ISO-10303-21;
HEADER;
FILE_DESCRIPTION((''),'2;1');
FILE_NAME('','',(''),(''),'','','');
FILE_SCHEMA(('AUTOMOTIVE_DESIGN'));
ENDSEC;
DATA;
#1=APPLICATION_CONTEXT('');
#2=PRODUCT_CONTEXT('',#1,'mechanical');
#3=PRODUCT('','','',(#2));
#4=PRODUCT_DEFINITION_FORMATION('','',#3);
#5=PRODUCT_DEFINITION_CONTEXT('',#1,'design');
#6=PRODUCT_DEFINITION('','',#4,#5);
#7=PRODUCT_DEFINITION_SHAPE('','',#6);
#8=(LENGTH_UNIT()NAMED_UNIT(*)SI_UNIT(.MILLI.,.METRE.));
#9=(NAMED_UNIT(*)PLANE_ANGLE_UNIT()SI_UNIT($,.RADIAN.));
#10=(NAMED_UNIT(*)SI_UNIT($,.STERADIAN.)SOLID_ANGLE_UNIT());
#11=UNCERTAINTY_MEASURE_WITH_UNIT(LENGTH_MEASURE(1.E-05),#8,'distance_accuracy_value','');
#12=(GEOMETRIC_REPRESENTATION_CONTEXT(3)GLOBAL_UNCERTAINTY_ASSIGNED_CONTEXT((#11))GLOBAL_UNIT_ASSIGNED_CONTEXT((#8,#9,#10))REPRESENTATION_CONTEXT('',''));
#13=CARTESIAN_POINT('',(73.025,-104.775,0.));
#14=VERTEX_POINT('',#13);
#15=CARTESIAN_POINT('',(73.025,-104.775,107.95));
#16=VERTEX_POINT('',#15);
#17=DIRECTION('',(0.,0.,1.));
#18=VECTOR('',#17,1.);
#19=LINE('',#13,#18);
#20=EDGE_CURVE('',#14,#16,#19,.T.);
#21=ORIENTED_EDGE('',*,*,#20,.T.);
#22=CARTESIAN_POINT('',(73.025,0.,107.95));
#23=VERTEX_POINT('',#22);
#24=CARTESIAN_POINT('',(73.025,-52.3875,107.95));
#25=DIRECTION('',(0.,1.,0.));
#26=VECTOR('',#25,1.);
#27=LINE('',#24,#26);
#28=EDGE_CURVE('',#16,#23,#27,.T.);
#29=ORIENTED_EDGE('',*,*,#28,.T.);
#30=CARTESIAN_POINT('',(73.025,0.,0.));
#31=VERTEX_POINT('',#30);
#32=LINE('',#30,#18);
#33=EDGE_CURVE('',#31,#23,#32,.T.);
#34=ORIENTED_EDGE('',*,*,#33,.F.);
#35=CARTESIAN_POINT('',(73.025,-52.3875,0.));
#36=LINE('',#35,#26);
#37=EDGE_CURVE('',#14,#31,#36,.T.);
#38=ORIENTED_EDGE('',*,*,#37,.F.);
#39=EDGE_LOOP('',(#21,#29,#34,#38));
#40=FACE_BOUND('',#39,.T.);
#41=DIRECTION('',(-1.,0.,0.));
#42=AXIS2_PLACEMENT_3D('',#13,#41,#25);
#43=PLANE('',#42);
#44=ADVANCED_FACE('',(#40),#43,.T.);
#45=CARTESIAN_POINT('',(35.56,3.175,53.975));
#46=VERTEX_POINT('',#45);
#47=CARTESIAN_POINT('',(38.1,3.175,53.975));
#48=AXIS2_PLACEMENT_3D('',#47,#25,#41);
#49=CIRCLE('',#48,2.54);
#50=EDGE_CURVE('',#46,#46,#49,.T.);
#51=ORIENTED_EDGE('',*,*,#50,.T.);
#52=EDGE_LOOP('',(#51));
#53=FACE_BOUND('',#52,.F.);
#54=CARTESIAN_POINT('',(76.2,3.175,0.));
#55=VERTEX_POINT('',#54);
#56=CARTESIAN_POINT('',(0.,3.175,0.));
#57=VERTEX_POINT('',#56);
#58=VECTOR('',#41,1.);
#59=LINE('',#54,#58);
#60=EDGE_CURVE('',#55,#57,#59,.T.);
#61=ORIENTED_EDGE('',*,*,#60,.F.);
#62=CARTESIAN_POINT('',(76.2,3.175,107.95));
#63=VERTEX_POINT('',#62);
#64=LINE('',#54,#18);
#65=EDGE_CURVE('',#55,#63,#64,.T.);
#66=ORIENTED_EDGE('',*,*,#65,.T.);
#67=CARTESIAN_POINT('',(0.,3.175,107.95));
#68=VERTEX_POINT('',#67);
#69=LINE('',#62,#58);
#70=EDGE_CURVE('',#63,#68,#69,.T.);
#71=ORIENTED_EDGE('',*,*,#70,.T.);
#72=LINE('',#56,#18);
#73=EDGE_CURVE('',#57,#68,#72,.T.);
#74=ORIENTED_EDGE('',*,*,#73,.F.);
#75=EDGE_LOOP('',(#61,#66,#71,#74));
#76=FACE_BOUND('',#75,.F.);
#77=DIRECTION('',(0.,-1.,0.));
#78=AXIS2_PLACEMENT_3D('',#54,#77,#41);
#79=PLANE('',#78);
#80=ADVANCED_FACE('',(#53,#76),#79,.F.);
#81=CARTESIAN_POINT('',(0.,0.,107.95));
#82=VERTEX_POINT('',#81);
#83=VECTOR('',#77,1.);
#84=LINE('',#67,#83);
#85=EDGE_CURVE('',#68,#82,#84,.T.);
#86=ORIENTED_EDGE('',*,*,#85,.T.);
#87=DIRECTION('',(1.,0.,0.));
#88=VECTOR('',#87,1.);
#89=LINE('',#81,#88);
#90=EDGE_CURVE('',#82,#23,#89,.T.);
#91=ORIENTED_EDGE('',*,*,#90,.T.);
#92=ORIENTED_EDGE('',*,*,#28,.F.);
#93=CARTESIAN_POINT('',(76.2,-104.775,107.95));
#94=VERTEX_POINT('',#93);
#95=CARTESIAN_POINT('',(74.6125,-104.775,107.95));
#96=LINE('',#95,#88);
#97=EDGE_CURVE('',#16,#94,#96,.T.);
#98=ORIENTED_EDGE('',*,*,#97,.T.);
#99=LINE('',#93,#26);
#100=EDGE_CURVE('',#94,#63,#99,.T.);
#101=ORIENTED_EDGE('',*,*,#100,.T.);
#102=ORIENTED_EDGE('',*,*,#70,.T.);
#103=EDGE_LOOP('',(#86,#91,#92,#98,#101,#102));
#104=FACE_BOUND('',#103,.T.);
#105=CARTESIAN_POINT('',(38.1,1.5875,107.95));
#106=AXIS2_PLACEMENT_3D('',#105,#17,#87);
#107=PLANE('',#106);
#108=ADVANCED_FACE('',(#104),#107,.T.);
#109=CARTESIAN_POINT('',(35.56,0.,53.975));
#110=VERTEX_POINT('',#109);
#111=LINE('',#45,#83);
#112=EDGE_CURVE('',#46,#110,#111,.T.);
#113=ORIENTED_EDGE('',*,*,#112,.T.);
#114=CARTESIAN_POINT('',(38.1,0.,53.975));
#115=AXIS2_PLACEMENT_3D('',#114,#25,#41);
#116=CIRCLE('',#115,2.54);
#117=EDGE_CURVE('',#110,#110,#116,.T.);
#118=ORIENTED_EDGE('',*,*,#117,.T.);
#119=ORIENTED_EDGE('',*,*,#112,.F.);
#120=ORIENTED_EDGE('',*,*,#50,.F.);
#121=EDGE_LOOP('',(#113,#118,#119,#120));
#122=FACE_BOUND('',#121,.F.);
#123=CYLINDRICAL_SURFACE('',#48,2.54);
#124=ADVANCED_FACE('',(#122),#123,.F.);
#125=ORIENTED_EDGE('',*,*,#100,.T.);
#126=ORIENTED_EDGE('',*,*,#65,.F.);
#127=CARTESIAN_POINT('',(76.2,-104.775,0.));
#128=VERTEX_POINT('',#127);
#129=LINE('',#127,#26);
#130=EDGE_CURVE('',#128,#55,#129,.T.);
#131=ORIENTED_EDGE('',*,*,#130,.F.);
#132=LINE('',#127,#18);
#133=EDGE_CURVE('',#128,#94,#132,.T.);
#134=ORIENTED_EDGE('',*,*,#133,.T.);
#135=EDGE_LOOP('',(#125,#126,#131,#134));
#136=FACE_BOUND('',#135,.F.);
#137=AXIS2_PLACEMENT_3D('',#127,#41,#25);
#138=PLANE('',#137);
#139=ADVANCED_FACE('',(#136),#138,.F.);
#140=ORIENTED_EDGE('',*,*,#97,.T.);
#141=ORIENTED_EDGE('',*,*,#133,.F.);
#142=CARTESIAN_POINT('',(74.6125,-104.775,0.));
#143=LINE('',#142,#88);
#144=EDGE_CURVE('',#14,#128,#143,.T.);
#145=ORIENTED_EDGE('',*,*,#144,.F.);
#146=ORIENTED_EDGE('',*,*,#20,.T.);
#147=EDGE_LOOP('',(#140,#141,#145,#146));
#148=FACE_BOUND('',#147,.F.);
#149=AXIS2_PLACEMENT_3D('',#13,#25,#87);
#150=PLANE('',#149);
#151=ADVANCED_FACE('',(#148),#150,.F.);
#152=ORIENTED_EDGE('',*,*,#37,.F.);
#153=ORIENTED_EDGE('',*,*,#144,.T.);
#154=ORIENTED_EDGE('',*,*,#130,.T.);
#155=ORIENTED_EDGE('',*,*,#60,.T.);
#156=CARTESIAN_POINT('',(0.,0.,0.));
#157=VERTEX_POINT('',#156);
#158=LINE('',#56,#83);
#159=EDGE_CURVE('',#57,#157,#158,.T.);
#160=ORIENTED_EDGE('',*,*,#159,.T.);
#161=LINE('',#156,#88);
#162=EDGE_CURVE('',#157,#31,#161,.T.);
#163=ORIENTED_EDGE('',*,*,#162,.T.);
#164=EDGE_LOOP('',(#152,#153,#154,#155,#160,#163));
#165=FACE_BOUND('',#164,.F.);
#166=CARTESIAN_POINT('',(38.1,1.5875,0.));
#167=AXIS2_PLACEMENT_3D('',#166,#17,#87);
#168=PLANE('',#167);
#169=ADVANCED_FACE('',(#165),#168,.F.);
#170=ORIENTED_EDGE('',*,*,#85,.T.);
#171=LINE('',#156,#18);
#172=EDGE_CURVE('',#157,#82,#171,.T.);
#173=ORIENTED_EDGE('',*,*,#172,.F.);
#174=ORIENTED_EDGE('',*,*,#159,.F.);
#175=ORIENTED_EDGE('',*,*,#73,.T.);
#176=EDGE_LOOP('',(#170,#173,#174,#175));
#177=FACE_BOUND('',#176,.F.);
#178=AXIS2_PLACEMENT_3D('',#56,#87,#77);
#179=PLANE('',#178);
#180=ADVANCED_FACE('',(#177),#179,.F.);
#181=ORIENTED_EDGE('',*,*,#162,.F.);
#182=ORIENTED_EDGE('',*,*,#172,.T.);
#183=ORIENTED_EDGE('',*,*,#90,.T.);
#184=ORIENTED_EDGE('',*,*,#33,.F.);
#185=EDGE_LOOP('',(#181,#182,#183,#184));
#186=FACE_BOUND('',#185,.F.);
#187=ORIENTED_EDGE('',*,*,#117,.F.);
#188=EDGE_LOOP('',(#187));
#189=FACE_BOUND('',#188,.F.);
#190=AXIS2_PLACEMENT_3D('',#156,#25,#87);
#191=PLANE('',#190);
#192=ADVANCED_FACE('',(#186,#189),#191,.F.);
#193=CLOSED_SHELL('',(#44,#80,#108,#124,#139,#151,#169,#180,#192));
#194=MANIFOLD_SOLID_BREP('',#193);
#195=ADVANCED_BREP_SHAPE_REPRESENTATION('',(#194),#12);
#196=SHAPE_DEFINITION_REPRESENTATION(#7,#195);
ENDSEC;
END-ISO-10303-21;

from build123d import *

# Parameters (mm, degrees)
F0_W     = 3.175
F0_H     = 104.775
F1_DEPTH = 107.95
F2_R     = 2.54
F3_DEPTH = 25.4


with BuildPart() as f1:
    # F0 (on Top) → F1 (new body)
    with BuildSketch(Plane.XY):
        Polygon((0, 3.175), (0, 0), (73.025, 0), (76.2, 0), (76.2, 3.175), align=None)
        with Locations((74.6125, -52.3875)):
            Rectangle(F0_W, F0_H)
    extrude(amount=F1_DEPTH)

    # F2 (on face) → F3 (cut)
    with BuildSketch(Plane(origin=(0, 3.175, 0), x_dir=(-1, 0, 0), z_dir=(0, 1, 0))):
        with Locations((-38.1, 53.975)):
            Circle(F2_R)
    extrude(amount=-F3_DEPTH, mode=Mode.SUBTRACT)


solid = f1.part
